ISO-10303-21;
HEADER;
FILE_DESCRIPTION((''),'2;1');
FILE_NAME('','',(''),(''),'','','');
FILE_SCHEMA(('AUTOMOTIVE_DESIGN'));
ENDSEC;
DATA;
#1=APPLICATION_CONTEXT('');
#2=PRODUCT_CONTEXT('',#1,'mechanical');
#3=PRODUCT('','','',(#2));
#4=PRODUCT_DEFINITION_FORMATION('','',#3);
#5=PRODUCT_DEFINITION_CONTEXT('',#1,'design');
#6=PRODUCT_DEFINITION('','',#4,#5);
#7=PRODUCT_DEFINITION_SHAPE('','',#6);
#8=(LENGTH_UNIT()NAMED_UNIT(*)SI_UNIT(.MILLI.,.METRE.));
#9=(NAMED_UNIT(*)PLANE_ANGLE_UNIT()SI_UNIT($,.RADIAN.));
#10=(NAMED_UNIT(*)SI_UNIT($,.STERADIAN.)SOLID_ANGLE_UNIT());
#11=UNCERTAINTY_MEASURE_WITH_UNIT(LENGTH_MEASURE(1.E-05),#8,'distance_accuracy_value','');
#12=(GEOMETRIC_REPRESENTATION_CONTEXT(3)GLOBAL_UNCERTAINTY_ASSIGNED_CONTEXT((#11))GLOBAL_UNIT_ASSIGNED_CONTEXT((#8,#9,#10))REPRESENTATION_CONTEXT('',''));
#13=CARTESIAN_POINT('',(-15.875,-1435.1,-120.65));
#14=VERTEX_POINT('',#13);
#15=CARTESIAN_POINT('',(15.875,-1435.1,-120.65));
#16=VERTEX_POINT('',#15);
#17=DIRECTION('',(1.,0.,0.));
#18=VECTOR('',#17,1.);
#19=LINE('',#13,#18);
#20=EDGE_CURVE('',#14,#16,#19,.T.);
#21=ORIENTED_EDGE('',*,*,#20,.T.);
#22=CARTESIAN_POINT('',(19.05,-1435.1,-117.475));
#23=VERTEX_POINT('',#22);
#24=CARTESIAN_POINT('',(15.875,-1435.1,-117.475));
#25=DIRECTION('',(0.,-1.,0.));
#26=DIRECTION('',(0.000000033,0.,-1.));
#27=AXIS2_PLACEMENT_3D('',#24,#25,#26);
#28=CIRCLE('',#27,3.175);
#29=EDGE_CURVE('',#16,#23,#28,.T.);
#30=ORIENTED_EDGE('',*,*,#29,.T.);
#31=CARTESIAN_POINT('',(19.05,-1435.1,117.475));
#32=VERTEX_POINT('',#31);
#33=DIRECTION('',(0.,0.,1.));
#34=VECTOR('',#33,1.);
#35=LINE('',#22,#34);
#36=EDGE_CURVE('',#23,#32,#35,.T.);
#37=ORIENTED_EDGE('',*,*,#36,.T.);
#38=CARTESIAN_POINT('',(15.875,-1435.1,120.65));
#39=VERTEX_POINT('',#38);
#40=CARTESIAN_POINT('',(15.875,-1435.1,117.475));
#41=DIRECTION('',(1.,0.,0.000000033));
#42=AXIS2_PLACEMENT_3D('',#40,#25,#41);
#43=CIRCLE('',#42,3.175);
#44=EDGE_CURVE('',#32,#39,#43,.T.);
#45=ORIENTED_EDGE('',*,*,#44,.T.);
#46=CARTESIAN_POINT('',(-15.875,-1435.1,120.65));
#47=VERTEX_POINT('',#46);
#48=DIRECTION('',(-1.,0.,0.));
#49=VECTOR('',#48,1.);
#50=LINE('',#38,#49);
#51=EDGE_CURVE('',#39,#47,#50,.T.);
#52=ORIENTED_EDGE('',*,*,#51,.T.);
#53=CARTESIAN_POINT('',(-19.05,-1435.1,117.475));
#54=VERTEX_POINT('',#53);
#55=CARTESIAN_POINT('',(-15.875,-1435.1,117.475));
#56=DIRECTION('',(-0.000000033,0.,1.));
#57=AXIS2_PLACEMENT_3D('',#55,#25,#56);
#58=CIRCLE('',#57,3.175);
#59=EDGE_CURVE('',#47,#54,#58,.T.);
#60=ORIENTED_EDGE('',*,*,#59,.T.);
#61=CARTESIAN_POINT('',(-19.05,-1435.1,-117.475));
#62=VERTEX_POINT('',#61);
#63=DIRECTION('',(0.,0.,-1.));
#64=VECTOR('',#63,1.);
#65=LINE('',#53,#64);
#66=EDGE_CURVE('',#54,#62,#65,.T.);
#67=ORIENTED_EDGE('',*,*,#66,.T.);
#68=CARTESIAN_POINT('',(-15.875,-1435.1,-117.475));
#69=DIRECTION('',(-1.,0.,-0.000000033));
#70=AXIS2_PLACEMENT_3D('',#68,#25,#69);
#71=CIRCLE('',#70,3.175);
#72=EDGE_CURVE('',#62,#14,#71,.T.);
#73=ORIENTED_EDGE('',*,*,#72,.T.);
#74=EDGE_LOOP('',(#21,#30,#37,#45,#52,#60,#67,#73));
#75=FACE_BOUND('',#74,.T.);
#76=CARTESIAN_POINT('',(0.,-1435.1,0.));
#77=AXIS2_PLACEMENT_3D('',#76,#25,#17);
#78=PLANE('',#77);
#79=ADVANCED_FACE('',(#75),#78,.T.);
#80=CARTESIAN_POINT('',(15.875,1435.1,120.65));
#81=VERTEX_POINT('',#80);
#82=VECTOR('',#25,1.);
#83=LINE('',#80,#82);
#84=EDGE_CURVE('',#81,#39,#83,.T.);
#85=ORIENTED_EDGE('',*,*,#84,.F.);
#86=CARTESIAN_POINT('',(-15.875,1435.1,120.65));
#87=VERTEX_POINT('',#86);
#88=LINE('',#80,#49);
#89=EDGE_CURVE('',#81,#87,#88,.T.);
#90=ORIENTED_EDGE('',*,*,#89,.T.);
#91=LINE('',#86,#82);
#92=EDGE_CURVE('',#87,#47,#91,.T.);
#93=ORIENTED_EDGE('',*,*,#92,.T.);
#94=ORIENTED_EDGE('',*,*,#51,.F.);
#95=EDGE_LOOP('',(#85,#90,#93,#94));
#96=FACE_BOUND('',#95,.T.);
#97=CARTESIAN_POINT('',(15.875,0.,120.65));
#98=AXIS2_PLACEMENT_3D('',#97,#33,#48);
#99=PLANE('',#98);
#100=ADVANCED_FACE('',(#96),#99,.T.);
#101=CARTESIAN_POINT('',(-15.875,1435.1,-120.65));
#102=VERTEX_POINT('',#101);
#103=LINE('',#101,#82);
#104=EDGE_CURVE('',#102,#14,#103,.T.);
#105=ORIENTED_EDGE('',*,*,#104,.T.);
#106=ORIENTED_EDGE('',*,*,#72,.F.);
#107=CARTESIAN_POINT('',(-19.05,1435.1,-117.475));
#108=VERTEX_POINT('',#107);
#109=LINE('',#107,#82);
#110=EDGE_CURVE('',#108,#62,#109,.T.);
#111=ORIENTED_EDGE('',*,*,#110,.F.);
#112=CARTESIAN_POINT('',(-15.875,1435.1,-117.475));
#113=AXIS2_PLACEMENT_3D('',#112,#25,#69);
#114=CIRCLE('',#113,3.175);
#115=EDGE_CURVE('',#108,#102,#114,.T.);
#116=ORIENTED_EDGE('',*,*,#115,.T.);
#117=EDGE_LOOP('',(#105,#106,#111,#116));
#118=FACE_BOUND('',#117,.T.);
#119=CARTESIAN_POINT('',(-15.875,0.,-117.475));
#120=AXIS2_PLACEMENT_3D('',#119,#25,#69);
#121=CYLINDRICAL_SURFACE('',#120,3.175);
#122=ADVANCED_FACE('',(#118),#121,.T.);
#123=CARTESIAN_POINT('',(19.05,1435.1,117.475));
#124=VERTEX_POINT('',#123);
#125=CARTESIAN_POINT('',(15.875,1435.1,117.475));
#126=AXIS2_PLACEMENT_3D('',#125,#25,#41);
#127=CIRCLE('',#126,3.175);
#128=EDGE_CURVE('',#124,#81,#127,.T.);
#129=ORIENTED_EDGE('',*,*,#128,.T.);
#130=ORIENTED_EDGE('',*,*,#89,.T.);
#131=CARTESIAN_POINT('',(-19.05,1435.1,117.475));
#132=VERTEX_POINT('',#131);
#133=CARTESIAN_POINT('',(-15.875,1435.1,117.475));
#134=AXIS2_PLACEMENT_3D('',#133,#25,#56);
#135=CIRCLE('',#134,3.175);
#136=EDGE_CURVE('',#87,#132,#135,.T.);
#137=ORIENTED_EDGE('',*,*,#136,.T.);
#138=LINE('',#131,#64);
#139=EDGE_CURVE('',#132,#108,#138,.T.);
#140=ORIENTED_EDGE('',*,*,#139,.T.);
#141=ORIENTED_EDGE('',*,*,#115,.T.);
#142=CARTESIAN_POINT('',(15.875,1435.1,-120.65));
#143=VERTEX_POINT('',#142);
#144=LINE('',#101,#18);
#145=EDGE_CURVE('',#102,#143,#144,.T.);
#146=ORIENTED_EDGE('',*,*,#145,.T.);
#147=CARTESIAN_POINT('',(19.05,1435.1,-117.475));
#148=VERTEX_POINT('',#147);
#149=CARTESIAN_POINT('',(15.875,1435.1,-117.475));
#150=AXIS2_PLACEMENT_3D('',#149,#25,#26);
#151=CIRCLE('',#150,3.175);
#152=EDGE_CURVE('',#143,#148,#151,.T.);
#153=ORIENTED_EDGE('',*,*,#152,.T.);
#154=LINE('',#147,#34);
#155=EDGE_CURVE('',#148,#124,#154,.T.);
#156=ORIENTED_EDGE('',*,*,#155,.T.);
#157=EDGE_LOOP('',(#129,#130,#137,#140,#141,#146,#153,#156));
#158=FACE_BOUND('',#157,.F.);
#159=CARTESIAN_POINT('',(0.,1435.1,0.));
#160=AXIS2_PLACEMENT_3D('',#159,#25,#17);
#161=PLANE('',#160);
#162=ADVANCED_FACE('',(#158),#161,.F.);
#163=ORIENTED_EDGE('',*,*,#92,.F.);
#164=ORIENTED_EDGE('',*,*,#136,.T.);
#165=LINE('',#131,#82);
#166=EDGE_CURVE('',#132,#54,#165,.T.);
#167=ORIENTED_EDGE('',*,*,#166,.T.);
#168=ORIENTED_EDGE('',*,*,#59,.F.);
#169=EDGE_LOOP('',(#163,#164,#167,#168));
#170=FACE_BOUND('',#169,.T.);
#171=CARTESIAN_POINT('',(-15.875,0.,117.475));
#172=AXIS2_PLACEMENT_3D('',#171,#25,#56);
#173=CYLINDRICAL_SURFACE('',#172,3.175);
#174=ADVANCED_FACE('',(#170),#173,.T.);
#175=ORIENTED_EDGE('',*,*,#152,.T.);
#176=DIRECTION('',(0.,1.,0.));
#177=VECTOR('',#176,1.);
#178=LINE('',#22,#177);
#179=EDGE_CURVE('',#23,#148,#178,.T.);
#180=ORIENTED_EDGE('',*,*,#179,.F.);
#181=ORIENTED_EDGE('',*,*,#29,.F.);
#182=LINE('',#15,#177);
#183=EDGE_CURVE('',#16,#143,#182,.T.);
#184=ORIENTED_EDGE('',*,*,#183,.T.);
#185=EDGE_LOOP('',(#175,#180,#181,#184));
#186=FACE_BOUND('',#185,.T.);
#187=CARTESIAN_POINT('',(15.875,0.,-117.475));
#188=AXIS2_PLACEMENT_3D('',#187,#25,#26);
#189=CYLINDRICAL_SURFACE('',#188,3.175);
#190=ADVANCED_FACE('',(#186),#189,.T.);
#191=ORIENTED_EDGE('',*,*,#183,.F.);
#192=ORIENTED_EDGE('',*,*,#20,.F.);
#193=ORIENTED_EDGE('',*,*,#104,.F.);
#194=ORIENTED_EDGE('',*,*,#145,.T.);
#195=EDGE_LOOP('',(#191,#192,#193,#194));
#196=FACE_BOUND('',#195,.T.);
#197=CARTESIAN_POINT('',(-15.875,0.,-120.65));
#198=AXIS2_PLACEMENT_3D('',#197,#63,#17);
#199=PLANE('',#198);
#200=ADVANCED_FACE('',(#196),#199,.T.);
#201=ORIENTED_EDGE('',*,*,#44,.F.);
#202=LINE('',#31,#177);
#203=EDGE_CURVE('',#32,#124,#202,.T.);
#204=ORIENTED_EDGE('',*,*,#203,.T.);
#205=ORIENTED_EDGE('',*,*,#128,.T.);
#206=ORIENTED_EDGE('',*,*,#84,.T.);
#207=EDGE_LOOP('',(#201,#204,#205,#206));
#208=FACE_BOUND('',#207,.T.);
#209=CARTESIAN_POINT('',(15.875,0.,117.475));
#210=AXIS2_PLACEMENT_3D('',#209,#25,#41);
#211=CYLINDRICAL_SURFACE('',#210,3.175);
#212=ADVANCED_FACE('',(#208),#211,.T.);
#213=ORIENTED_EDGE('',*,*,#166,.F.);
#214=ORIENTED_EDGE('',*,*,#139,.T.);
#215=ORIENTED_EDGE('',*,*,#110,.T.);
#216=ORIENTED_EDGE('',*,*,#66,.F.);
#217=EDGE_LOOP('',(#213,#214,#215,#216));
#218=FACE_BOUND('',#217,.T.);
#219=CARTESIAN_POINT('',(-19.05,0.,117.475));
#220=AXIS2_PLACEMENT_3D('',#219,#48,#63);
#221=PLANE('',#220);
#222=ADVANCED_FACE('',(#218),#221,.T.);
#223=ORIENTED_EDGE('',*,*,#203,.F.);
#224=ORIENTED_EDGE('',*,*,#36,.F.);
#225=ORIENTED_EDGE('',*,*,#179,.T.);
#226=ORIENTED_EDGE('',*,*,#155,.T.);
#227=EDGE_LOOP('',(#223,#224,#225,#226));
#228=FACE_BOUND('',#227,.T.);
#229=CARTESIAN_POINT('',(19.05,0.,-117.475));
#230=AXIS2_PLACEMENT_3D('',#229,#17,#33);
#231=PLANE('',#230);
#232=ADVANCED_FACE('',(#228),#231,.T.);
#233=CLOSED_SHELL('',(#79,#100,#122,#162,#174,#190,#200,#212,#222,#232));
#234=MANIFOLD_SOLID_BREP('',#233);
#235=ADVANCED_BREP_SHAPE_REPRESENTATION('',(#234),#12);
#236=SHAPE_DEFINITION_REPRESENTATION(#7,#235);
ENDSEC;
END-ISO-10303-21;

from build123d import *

# Parameters (mm, degrees)
F1_DEPTH = 1435.1


with BuildPart() as f1:
    # F0 (on Front) → F1 (new body, symmetric)
    with BuildSketch(Plane.XZ):
        with BuildLine():
            ThreePointArc((19.05, 117.475), (18.120064, 119.720064), (15.875, 120.65))
            Line((15.875, 120.65), (-15.875, 120.65))
            ThreePointArc((-15.875, 120.65), (-18.120064, 119.720064), (-19.05, 117.475))
            Line((-19.05, 117.475), (-19.05, -117.475))
            ThreePointArc((-19.05, -117.475), (-18.120064, -119.720064), (-15.875, -120.65))
            Line((-15.875, -120.65), (15.875, -120.65))
            ThreePointArc((15.875, -120.65), (18.120064, -119.720064), (19.05, -117.475))
            Line((19.05, -117.475), (19.05, 117.475))
        make_face()
    extrude(amount=F1_DEPTH, both=True)


solid = f1.part
